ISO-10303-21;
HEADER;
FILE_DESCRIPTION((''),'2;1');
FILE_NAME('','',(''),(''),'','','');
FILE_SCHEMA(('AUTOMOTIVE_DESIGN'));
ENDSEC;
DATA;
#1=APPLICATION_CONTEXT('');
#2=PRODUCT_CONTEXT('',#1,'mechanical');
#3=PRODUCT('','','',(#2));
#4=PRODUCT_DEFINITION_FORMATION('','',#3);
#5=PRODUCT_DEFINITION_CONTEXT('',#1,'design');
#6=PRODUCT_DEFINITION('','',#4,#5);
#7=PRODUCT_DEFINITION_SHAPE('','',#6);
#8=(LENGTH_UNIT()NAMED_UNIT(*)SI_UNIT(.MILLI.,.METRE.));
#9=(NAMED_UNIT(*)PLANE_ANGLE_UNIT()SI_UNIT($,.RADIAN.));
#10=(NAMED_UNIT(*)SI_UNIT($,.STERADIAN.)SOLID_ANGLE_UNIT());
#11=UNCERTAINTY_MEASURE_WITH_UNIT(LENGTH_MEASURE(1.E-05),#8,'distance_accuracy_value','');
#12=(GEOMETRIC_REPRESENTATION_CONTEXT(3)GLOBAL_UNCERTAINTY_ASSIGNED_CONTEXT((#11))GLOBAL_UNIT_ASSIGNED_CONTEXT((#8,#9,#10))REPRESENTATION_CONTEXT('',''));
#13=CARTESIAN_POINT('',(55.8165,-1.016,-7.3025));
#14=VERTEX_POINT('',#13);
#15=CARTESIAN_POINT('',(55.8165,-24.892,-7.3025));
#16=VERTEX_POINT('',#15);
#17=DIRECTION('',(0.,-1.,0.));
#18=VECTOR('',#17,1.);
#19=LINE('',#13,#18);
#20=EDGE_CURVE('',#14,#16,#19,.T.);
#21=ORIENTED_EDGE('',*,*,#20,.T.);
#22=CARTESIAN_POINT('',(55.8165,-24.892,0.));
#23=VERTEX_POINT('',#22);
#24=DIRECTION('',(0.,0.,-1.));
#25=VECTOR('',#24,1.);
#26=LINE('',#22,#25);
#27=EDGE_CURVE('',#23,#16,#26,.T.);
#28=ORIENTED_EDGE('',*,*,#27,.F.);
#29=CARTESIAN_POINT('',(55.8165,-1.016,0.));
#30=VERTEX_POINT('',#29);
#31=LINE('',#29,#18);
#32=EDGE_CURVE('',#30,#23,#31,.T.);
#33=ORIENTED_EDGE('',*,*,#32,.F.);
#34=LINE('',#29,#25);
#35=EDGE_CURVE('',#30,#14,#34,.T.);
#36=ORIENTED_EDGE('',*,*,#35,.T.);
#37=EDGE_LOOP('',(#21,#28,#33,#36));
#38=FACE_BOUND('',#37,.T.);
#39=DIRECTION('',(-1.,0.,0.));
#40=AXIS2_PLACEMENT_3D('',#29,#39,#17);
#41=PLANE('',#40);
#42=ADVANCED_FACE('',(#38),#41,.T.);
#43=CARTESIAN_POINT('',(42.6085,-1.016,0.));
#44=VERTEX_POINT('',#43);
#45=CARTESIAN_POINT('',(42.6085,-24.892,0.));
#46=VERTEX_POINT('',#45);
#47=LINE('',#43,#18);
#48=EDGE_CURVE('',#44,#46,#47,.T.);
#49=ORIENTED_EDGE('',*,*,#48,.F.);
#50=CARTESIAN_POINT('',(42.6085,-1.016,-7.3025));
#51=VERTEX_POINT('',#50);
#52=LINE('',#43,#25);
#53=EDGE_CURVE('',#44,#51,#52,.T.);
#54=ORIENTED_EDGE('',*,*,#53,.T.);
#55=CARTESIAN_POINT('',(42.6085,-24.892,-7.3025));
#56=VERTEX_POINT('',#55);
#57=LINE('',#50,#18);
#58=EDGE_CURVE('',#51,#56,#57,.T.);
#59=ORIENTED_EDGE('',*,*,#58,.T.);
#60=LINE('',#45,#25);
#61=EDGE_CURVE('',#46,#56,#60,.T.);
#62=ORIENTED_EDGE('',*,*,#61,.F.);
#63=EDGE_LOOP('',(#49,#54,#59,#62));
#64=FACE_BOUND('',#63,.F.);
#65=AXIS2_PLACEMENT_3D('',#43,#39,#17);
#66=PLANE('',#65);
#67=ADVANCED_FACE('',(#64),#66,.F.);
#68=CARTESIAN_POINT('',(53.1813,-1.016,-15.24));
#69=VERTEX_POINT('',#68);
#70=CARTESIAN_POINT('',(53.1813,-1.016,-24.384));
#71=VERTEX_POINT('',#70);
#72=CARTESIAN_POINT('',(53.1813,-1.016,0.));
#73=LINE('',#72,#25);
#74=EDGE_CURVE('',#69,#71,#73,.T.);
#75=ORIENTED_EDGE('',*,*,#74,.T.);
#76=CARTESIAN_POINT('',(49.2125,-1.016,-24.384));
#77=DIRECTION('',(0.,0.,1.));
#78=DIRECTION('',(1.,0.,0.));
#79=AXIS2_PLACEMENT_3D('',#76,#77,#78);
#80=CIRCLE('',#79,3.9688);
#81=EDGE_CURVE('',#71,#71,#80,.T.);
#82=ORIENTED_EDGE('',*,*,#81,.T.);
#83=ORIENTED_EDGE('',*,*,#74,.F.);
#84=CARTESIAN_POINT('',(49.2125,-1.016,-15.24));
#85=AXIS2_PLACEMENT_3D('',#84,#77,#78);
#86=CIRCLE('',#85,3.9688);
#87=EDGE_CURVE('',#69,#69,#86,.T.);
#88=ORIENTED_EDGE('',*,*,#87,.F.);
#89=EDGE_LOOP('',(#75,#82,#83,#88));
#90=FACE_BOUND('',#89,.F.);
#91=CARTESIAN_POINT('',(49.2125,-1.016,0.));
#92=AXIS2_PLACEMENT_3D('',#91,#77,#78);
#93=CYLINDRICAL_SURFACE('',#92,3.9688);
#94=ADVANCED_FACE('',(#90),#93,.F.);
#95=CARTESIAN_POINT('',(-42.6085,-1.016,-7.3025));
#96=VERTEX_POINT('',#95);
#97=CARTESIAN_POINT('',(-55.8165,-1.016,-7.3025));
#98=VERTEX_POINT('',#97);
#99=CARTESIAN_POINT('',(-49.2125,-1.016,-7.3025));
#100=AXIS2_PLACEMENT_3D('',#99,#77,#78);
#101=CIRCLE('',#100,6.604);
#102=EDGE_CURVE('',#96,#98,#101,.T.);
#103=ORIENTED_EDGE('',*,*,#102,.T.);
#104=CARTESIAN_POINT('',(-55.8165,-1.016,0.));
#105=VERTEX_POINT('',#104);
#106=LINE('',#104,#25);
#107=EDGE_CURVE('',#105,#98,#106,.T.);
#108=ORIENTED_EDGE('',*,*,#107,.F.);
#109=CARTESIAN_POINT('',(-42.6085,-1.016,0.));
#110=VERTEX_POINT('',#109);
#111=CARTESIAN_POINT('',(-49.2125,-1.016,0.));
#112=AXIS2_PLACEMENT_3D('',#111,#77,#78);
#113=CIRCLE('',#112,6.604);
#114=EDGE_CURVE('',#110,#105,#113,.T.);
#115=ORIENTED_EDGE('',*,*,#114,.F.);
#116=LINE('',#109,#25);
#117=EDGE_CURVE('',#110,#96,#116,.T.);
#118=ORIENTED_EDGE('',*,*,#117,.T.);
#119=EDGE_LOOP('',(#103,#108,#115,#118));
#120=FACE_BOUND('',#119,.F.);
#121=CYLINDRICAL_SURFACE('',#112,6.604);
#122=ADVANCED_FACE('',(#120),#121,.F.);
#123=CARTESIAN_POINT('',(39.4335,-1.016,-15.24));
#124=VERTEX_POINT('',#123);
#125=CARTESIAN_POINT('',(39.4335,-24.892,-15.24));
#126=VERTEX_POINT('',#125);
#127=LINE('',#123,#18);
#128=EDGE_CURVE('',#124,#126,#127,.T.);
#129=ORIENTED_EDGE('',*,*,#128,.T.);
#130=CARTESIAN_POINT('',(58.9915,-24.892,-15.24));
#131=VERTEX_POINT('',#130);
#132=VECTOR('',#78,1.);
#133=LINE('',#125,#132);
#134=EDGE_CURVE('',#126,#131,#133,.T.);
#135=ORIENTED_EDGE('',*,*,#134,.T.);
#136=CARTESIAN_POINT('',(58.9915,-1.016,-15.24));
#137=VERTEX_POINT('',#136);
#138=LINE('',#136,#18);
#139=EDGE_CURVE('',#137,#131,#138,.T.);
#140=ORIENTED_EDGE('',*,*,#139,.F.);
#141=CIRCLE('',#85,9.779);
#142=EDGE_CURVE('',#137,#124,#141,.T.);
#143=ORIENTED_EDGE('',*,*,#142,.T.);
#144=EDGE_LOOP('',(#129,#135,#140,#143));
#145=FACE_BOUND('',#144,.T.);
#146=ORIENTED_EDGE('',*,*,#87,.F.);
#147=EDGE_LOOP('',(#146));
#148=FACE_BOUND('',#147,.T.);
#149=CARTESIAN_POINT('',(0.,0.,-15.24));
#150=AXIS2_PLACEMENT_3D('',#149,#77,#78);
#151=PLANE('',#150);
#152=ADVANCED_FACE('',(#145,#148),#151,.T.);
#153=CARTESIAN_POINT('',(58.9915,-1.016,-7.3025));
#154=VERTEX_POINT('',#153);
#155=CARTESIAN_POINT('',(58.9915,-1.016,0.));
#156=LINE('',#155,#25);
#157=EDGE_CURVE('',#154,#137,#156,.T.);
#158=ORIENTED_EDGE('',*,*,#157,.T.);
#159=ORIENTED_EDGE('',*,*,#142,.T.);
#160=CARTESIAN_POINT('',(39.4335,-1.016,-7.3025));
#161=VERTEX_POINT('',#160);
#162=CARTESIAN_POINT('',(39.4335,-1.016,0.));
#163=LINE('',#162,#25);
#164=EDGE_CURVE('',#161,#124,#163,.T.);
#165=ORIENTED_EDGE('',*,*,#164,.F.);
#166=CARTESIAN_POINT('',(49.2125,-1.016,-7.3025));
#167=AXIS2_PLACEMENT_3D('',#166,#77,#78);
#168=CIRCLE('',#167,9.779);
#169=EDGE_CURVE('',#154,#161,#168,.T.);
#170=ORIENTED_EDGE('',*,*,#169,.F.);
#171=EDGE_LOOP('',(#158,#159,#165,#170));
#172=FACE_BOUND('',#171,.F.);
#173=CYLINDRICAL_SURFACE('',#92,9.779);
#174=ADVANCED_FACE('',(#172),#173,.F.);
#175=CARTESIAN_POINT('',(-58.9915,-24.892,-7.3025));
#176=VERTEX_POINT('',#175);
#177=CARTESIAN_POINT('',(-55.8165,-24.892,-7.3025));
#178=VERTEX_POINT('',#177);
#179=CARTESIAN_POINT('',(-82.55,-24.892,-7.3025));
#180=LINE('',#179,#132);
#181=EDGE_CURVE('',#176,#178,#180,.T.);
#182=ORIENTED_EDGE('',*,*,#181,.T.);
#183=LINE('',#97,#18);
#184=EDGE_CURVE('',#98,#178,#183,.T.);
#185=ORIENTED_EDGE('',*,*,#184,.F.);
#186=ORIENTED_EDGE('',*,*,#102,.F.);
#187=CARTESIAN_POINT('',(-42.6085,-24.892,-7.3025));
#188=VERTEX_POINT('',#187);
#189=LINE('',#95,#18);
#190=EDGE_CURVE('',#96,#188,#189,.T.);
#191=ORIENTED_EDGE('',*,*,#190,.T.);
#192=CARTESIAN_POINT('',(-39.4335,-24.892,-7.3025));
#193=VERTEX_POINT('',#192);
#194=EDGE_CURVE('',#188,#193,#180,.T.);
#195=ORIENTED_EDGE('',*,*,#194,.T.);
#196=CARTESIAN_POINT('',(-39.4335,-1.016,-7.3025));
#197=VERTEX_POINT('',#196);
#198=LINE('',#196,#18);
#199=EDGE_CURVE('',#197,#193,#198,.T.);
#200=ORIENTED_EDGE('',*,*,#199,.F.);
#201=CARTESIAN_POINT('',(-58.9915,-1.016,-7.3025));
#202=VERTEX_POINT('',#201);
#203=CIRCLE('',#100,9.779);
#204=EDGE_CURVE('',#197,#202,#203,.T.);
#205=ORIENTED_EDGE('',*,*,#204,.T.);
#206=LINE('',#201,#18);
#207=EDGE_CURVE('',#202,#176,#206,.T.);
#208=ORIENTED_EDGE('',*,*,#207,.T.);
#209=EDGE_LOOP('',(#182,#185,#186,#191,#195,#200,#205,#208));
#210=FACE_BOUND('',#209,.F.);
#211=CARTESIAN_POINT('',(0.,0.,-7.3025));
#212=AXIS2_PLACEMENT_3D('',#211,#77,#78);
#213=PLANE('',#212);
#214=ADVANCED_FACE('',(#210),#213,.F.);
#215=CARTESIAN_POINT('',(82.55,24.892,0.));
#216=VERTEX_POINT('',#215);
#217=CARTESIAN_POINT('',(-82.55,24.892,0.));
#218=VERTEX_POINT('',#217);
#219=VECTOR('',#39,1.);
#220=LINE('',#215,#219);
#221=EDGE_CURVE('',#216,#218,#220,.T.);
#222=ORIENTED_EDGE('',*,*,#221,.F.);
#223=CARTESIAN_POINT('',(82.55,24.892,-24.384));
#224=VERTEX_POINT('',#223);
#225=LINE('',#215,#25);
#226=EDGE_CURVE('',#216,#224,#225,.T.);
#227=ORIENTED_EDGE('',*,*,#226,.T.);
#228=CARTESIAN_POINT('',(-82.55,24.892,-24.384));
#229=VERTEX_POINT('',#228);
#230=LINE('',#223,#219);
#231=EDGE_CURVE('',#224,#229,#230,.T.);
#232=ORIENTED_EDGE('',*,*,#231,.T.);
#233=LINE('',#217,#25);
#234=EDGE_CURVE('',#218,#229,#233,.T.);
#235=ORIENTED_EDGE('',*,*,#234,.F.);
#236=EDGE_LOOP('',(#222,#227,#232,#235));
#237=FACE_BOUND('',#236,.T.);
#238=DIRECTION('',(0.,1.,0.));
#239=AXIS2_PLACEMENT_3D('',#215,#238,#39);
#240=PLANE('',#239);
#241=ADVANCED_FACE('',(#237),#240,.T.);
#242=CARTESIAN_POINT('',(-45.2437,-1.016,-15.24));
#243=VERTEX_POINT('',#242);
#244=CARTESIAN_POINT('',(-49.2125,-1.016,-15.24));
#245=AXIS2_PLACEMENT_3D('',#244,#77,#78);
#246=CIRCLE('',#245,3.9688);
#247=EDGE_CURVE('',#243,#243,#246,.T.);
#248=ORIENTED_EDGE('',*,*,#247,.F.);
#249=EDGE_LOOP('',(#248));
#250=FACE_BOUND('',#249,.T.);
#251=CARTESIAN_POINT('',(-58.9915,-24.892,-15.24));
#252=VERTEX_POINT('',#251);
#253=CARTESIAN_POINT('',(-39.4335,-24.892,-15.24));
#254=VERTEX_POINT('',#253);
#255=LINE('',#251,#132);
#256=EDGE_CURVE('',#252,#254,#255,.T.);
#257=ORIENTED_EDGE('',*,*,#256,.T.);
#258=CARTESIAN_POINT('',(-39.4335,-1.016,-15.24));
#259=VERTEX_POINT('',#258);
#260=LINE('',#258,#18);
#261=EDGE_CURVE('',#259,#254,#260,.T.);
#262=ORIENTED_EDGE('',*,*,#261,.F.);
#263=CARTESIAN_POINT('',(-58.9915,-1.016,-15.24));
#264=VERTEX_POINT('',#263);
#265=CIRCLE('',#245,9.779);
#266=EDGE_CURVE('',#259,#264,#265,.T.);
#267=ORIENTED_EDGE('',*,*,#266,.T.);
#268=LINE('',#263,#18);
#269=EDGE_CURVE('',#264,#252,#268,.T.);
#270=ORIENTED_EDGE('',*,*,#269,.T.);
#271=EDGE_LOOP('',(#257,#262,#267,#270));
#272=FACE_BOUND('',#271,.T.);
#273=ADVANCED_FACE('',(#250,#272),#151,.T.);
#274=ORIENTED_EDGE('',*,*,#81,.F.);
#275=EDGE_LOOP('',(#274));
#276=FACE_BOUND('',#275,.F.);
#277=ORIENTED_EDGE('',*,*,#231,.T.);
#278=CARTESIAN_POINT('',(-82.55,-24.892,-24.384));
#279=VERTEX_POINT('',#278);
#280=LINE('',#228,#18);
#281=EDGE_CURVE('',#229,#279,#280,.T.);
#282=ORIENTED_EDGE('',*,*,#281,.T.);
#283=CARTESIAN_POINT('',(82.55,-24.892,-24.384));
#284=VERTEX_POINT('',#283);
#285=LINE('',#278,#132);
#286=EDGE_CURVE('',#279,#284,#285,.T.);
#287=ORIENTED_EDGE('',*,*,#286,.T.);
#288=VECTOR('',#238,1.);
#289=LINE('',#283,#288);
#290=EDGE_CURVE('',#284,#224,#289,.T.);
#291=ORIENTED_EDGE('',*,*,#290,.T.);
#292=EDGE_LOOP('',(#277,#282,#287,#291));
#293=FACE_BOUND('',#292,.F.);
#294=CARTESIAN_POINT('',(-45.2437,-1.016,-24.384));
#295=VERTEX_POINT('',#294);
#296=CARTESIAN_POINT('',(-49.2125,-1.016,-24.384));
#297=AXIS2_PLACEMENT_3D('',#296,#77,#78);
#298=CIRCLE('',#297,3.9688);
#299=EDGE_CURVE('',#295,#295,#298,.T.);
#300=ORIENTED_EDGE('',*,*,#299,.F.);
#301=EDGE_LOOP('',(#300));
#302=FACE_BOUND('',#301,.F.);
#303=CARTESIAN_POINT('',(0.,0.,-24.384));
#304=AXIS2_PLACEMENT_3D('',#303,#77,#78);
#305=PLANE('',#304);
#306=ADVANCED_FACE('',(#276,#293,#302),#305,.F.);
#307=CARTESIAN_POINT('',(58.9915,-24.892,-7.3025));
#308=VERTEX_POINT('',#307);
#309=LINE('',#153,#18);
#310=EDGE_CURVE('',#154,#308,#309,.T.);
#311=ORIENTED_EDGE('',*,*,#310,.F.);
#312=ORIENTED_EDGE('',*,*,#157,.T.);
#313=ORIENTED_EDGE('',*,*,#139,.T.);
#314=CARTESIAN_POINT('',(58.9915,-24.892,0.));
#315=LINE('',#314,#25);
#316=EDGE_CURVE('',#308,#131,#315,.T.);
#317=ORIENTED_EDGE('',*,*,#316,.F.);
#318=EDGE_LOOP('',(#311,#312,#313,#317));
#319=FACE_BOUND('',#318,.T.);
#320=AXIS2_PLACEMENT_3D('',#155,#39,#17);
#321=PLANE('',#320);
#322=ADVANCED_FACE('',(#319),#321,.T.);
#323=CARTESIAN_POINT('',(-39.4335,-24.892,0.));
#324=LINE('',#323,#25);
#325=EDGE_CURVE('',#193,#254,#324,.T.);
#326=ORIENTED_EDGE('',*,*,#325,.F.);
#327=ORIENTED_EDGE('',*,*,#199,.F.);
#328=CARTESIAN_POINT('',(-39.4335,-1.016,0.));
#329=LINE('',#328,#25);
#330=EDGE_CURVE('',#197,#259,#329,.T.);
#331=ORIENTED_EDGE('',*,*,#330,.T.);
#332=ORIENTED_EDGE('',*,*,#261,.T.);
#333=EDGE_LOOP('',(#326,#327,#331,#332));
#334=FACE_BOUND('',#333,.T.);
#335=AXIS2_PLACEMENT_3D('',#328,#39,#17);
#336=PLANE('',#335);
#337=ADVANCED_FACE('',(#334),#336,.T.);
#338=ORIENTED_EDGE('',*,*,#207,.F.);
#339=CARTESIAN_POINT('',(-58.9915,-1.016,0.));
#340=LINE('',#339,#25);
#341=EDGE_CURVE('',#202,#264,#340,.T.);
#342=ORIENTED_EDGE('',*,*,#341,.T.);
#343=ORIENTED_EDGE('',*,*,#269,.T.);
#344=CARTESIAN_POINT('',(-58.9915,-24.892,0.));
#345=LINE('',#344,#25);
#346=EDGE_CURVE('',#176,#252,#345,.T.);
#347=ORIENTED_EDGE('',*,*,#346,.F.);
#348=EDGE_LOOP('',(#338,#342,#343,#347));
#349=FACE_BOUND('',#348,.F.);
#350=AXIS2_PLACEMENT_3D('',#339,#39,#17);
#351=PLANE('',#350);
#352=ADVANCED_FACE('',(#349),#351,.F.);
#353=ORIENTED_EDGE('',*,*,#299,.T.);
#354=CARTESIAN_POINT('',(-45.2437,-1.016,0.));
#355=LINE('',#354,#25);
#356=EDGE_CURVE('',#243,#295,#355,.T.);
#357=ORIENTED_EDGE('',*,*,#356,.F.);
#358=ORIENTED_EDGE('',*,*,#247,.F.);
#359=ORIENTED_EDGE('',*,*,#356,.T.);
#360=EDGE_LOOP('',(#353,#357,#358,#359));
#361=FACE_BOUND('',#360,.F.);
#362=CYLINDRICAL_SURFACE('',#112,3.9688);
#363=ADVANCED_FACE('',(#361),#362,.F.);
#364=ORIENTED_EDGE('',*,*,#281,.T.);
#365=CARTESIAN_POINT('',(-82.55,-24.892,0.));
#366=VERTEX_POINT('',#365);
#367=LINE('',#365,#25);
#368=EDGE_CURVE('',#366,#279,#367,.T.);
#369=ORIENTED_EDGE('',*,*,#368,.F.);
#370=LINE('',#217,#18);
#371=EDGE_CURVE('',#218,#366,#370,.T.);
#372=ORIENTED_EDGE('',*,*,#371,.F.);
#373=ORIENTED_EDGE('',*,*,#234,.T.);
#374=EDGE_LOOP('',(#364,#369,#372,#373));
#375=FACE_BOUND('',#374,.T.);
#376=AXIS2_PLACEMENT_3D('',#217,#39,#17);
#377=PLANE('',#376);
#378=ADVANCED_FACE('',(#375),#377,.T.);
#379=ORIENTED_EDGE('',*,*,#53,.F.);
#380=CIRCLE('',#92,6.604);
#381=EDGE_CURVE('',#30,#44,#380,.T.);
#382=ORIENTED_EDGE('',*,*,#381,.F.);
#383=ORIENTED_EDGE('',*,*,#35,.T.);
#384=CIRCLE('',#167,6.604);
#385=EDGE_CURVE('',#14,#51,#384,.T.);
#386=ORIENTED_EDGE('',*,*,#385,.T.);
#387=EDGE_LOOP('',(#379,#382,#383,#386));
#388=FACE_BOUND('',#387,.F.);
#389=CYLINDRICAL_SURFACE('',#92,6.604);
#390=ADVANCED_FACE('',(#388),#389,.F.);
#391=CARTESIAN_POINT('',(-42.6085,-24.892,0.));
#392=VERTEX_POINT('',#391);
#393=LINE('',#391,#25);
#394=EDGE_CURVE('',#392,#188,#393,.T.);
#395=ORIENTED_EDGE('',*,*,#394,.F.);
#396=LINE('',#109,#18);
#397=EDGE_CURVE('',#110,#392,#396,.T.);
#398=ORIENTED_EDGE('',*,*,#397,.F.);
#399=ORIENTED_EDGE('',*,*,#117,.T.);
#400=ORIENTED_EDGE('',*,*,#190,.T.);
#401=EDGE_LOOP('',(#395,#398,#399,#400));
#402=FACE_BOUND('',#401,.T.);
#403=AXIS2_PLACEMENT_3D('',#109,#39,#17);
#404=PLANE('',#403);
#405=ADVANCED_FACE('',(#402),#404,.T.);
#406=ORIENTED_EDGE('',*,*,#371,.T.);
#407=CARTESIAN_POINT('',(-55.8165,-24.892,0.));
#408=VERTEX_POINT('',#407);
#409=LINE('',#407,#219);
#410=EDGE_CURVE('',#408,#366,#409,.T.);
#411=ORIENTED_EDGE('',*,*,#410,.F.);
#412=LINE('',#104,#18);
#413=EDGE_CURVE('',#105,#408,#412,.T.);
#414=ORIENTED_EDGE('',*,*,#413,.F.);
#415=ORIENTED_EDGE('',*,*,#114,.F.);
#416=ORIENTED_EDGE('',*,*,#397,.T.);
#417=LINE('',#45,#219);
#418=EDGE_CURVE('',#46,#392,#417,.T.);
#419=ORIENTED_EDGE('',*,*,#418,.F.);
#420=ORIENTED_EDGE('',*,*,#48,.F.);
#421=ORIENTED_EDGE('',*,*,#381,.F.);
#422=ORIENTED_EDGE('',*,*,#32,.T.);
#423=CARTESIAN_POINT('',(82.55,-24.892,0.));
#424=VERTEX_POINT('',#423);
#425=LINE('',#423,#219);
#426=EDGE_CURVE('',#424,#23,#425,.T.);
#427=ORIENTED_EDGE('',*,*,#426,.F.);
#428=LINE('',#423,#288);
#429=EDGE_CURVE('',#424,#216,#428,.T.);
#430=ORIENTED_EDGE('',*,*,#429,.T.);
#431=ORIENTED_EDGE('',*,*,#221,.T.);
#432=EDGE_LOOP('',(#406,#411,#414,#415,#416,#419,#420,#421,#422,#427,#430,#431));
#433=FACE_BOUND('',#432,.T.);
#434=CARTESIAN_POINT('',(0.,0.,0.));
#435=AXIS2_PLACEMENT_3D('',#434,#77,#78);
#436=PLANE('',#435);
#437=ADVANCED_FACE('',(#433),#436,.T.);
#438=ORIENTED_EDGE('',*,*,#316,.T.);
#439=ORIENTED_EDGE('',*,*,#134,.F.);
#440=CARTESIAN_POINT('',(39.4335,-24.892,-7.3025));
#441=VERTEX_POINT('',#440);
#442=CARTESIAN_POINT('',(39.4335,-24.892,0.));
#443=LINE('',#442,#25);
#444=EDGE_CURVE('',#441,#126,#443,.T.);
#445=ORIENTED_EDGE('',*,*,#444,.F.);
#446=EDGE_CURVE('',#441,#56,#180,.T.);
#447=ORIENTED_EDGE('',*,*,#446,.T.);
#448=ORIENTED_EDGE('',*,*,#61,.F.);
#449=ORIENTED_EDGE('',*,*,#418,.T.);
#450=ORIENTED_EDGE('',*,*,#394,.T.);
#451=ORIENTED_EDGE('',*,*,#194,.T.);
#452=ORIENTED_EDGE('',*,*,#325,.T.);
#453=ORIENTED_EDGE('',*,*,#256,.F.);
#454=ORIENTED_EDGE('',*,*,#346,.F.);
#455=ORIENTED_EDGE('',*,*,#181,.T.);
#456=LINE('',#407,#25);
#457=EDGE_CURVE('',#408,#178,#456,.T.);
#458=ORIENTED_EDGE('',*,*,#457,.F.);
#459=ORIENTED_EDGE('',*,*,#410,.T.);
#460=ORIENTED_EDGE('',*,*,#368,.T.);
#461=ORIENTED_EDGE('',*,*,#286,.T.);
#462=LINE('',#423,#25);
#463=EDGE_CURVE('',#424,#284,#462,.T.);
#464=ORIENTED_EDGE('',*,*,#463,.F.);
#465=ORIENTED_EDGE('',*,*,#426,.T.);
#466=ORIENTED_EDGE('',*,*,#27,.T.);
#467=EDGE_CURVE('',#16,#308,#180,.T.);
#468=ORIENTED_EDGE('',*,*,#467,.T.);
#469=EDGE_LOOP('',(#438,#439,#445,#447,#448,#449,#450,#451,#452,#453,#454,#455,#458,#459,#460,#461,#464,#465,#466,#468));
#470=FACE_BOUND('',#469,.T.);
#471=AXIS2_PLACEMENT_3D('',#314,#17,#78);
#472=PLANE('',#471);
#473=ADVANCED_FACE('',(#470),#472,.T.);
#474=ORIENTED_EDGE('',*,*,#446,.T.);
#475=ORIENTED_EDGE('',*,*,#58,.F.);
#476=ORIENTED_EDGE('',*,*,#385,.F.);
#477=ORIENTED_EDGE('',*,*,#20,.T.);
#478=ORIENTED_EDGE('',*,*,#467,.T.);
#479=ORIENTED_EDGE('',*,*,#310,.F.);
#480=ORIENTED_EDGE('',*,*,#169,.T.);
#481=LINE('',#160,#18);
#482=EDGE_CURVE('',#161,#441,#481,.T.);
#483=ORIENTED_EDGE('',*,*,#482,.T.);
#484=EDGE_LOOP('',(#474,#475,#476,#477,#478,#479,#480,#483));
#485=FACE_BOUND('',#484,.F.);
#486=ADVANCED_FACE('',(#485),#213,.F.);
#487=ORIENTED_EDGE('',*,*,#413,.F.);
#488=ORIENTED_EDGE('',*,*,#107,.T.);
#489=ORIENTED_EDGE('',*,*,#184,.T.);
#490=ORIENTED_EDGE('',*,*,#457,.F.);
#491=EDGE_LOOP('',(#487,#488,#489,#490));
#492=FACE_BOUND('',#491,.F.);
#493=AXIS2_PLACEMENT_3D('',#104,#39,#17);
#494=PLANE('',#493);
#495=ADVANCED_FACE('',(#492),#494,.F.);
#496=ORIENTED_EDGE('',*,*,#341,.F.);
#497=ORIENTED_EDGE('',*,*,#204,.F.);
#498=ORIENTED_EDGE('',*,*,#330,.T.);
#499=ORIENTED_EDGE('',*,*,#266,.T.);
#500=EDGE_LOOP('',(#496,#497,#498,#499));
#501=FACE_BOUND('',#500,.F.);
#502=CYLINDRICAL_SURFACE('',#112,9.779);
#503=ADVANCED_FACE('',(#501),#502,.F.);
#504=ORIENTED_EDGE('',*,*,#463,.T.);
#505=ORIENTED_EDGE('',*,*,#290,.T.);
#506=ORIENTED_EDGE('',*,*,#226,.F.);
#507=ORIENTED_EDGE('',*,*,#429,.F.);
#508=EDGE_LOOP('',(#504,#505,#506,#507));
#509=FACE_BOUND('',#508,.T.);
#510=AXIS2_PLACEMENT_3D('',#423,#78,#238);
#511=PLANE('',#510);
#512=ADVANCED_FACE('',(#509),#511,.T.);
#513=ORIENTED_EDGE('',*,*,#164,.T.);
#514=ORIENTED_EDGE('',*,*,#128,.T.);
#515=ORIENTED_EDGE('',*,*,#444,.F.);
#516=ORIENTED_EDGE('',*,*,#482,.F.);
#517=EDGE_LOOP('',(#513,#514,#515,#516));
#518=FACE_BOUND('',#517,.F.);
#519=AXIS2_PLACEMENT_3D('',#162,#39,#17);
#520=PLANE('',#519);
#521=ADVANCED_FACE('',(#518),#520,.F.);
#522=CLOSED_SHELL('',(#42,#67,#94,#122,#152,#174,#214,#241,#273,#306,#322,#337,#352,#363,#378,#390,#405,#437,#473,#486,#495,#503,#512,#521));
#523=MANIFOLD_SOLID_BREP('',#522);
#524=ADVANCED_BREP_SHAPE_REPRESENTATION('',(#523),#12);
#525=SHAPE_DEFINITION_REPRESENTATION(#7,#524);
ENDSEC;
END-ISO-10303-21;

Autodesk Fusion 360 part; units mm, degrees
sketch "Sketch1" plane through (0, 0, 0) normal (0, 0, 1) x (1, 0, 0)
  line L0 (82.55, 24.892) -> (-82.55, 24.892)
  line L1 (-82.55, 24.892) -> (-82.55, -24.892)
  line L2 (-82.55, -24.892) -> (82.55, -24.892)
  line L3 (82.55, -24.892) -> (82.55, 24.892)
  line L4 (82.55, 24.892) -> (-82.55, -24.892) construction
  line L5 (-82.55, 24.892) -> (82.55, -24.892) construction
  circle A0 centre (-49.2125, -1.016) radius 3.9688
  circle A1 centre (49.2125, -1.016) radius 3.9688
  line L6 (-39.4335, -1.016) -> (-39.4335, -24.892)
  line L7 (-58.9915, -1.016) -> (-58.9915, -24.892)
  line L8 (39.4335, -1.016) -> (39.4335, -24.892)
  line L9 (58.9915, -1.016) -> (58.9915, -24.892)
  arc A2 (-39.4335, -1.016) -> (-58.9915, -1.016) centre (-49.2125, -1.016) ccw
  arc A3 (58.9915, -1.016) -> (39.4335, -1.016) centre (49.2125, -1.016) ccw
  line L10 (0, 24.892) -> (0, -24.892) construction
  circle A4 centre (-49.2125, -1.016) radius 6.604
  circle A5 centre (49.2125, -1.016) radius 6.604
  line L11 (-42.6085, -1.016) -> (-42.6085, -24.892)
  line L12 (-55.8165, -1.016) -> (-55.8165, -24.892)
  line L13 (42.6085, -1.016) -> (42.6085, -24.892)
  line L14 (55.8165, -1.016) -> (55.8165, -24.892)
  point P0 (-49.2125, -1.016)
  point P1 (49.2125, -1.016)
  dimension "d1" = 165.1
  dimension "d2" = 49.784
  dimension "d3" = 7.9375
  dimension "d4" = 7.9375
  dimension "d5" = 98.425
  dimension "d9" = 23.876
  dimension "d10" = 19.558
  dimension "d11" = 19.558
  dimension "d16" = 23.876
  dimension "d17" = 49.2125
  dimension "d19" = 13.208
  dimension "d20" = 13.208
extrude "Extrude1" add sketch "Sketch1" against normal blind 24.384
extrude "Extrude2" cut sketch "Sketch1" against normal blind 15.24 contours L2 L8 L9 A3 A5 L13 L14 | L2 L6 L7 A2 A4 L11 L12 | L2 A5 L13 L14 | L2 A4 L11 L12 | A5 | A4
extrude "Extrude3" add sketch "Sketch1" against normal blind 7.3025 contours L2 L8 L9 A3 A5 L13 L14 | L2 L6 L7 A2 A4 L11 L12
equation "d2 = 2 in - 0.04 in"
equation "d4 = d3"
equation "d11 = d10"
equation "d12 = -1 in + 0.04 in"
equation "d17 = ( 3.875 / 2 ) * 1 in"
equation "d20 = d19"
